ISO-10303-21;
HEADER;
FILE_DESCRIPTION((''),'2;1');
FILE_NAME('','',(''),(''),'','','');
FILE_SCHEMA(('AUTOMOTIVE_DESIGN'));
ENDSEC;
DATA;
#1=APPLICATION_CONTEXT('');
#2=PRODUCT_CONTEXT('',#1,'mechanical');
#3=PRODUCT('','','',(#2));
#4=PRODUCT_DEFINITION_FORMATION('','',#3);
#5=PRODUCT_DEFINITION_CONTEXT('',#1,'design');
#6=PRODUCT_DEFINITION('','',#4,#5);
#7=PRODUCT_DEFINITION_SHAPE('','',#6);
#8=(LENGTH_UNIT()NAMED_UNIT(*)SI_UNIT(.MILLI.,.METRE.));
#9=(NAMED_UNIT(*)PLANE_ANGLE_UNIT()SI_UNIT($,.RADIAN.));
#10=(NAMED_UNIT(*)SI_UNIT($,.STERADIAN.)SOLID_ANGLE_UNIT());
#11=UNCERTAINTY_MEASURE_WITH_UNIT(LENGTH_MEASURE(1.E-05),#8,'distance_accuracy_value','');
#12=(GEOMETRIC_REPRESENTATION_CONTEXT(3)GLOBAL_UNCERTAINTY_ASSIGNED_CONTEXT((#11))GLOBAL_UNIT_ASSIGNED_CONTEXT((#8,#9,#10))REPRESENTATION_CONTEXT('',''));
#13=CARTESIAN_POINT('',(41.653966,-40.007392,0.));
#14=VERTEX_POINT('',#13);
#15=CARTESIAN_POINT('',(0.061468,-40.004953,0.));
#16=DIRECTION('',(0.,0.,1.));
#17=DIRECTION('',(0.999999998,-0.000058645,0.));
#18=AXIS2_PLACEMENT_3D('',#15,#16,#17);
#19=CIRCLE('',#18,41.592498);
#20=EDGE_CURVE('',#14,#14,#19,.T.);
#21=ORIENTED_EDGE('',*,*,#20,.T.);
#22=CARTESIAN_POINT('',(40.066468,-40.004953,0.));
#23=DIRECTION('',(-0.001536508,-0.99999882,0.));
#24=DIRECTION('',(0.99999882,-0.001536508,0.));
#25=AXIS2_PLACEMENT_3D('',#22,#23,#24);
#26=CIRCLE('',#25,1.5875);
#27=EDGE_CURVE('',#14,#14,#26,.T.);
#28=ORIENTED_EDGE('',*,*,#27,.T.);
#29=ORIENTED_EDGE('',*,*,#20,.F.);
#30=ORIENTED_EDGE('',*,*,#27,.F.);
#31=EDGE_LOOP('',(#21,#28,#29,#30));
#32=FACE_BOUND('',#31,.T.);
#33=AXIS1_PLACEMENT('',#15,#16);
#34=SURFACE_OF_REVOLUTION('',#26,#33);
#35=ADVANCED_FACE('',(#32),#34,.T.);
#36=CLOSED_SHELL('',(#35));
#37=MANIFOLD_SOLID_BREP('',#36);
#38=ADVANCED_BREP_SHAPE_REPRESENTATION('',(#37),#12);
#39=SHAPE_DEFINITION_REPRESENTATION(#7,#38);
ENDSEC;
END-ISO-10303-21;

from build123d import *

# Parameters (mm, degrees)
F0_R = 1.5875


with BuildPart() as f2:
    # F2: sweep along a path in F1
    with BuildLine(Plane.XY) as f2_path:
        CenterArc((0.061468, -40.004953), 40.005, 0, 360)
    # F0 (on Right) → F2 (sweep)
    with BuildSketch(Plane.YZ):
        Circle(F0_R)
    sweep(path=f2_path.line)


solid = f2.part
